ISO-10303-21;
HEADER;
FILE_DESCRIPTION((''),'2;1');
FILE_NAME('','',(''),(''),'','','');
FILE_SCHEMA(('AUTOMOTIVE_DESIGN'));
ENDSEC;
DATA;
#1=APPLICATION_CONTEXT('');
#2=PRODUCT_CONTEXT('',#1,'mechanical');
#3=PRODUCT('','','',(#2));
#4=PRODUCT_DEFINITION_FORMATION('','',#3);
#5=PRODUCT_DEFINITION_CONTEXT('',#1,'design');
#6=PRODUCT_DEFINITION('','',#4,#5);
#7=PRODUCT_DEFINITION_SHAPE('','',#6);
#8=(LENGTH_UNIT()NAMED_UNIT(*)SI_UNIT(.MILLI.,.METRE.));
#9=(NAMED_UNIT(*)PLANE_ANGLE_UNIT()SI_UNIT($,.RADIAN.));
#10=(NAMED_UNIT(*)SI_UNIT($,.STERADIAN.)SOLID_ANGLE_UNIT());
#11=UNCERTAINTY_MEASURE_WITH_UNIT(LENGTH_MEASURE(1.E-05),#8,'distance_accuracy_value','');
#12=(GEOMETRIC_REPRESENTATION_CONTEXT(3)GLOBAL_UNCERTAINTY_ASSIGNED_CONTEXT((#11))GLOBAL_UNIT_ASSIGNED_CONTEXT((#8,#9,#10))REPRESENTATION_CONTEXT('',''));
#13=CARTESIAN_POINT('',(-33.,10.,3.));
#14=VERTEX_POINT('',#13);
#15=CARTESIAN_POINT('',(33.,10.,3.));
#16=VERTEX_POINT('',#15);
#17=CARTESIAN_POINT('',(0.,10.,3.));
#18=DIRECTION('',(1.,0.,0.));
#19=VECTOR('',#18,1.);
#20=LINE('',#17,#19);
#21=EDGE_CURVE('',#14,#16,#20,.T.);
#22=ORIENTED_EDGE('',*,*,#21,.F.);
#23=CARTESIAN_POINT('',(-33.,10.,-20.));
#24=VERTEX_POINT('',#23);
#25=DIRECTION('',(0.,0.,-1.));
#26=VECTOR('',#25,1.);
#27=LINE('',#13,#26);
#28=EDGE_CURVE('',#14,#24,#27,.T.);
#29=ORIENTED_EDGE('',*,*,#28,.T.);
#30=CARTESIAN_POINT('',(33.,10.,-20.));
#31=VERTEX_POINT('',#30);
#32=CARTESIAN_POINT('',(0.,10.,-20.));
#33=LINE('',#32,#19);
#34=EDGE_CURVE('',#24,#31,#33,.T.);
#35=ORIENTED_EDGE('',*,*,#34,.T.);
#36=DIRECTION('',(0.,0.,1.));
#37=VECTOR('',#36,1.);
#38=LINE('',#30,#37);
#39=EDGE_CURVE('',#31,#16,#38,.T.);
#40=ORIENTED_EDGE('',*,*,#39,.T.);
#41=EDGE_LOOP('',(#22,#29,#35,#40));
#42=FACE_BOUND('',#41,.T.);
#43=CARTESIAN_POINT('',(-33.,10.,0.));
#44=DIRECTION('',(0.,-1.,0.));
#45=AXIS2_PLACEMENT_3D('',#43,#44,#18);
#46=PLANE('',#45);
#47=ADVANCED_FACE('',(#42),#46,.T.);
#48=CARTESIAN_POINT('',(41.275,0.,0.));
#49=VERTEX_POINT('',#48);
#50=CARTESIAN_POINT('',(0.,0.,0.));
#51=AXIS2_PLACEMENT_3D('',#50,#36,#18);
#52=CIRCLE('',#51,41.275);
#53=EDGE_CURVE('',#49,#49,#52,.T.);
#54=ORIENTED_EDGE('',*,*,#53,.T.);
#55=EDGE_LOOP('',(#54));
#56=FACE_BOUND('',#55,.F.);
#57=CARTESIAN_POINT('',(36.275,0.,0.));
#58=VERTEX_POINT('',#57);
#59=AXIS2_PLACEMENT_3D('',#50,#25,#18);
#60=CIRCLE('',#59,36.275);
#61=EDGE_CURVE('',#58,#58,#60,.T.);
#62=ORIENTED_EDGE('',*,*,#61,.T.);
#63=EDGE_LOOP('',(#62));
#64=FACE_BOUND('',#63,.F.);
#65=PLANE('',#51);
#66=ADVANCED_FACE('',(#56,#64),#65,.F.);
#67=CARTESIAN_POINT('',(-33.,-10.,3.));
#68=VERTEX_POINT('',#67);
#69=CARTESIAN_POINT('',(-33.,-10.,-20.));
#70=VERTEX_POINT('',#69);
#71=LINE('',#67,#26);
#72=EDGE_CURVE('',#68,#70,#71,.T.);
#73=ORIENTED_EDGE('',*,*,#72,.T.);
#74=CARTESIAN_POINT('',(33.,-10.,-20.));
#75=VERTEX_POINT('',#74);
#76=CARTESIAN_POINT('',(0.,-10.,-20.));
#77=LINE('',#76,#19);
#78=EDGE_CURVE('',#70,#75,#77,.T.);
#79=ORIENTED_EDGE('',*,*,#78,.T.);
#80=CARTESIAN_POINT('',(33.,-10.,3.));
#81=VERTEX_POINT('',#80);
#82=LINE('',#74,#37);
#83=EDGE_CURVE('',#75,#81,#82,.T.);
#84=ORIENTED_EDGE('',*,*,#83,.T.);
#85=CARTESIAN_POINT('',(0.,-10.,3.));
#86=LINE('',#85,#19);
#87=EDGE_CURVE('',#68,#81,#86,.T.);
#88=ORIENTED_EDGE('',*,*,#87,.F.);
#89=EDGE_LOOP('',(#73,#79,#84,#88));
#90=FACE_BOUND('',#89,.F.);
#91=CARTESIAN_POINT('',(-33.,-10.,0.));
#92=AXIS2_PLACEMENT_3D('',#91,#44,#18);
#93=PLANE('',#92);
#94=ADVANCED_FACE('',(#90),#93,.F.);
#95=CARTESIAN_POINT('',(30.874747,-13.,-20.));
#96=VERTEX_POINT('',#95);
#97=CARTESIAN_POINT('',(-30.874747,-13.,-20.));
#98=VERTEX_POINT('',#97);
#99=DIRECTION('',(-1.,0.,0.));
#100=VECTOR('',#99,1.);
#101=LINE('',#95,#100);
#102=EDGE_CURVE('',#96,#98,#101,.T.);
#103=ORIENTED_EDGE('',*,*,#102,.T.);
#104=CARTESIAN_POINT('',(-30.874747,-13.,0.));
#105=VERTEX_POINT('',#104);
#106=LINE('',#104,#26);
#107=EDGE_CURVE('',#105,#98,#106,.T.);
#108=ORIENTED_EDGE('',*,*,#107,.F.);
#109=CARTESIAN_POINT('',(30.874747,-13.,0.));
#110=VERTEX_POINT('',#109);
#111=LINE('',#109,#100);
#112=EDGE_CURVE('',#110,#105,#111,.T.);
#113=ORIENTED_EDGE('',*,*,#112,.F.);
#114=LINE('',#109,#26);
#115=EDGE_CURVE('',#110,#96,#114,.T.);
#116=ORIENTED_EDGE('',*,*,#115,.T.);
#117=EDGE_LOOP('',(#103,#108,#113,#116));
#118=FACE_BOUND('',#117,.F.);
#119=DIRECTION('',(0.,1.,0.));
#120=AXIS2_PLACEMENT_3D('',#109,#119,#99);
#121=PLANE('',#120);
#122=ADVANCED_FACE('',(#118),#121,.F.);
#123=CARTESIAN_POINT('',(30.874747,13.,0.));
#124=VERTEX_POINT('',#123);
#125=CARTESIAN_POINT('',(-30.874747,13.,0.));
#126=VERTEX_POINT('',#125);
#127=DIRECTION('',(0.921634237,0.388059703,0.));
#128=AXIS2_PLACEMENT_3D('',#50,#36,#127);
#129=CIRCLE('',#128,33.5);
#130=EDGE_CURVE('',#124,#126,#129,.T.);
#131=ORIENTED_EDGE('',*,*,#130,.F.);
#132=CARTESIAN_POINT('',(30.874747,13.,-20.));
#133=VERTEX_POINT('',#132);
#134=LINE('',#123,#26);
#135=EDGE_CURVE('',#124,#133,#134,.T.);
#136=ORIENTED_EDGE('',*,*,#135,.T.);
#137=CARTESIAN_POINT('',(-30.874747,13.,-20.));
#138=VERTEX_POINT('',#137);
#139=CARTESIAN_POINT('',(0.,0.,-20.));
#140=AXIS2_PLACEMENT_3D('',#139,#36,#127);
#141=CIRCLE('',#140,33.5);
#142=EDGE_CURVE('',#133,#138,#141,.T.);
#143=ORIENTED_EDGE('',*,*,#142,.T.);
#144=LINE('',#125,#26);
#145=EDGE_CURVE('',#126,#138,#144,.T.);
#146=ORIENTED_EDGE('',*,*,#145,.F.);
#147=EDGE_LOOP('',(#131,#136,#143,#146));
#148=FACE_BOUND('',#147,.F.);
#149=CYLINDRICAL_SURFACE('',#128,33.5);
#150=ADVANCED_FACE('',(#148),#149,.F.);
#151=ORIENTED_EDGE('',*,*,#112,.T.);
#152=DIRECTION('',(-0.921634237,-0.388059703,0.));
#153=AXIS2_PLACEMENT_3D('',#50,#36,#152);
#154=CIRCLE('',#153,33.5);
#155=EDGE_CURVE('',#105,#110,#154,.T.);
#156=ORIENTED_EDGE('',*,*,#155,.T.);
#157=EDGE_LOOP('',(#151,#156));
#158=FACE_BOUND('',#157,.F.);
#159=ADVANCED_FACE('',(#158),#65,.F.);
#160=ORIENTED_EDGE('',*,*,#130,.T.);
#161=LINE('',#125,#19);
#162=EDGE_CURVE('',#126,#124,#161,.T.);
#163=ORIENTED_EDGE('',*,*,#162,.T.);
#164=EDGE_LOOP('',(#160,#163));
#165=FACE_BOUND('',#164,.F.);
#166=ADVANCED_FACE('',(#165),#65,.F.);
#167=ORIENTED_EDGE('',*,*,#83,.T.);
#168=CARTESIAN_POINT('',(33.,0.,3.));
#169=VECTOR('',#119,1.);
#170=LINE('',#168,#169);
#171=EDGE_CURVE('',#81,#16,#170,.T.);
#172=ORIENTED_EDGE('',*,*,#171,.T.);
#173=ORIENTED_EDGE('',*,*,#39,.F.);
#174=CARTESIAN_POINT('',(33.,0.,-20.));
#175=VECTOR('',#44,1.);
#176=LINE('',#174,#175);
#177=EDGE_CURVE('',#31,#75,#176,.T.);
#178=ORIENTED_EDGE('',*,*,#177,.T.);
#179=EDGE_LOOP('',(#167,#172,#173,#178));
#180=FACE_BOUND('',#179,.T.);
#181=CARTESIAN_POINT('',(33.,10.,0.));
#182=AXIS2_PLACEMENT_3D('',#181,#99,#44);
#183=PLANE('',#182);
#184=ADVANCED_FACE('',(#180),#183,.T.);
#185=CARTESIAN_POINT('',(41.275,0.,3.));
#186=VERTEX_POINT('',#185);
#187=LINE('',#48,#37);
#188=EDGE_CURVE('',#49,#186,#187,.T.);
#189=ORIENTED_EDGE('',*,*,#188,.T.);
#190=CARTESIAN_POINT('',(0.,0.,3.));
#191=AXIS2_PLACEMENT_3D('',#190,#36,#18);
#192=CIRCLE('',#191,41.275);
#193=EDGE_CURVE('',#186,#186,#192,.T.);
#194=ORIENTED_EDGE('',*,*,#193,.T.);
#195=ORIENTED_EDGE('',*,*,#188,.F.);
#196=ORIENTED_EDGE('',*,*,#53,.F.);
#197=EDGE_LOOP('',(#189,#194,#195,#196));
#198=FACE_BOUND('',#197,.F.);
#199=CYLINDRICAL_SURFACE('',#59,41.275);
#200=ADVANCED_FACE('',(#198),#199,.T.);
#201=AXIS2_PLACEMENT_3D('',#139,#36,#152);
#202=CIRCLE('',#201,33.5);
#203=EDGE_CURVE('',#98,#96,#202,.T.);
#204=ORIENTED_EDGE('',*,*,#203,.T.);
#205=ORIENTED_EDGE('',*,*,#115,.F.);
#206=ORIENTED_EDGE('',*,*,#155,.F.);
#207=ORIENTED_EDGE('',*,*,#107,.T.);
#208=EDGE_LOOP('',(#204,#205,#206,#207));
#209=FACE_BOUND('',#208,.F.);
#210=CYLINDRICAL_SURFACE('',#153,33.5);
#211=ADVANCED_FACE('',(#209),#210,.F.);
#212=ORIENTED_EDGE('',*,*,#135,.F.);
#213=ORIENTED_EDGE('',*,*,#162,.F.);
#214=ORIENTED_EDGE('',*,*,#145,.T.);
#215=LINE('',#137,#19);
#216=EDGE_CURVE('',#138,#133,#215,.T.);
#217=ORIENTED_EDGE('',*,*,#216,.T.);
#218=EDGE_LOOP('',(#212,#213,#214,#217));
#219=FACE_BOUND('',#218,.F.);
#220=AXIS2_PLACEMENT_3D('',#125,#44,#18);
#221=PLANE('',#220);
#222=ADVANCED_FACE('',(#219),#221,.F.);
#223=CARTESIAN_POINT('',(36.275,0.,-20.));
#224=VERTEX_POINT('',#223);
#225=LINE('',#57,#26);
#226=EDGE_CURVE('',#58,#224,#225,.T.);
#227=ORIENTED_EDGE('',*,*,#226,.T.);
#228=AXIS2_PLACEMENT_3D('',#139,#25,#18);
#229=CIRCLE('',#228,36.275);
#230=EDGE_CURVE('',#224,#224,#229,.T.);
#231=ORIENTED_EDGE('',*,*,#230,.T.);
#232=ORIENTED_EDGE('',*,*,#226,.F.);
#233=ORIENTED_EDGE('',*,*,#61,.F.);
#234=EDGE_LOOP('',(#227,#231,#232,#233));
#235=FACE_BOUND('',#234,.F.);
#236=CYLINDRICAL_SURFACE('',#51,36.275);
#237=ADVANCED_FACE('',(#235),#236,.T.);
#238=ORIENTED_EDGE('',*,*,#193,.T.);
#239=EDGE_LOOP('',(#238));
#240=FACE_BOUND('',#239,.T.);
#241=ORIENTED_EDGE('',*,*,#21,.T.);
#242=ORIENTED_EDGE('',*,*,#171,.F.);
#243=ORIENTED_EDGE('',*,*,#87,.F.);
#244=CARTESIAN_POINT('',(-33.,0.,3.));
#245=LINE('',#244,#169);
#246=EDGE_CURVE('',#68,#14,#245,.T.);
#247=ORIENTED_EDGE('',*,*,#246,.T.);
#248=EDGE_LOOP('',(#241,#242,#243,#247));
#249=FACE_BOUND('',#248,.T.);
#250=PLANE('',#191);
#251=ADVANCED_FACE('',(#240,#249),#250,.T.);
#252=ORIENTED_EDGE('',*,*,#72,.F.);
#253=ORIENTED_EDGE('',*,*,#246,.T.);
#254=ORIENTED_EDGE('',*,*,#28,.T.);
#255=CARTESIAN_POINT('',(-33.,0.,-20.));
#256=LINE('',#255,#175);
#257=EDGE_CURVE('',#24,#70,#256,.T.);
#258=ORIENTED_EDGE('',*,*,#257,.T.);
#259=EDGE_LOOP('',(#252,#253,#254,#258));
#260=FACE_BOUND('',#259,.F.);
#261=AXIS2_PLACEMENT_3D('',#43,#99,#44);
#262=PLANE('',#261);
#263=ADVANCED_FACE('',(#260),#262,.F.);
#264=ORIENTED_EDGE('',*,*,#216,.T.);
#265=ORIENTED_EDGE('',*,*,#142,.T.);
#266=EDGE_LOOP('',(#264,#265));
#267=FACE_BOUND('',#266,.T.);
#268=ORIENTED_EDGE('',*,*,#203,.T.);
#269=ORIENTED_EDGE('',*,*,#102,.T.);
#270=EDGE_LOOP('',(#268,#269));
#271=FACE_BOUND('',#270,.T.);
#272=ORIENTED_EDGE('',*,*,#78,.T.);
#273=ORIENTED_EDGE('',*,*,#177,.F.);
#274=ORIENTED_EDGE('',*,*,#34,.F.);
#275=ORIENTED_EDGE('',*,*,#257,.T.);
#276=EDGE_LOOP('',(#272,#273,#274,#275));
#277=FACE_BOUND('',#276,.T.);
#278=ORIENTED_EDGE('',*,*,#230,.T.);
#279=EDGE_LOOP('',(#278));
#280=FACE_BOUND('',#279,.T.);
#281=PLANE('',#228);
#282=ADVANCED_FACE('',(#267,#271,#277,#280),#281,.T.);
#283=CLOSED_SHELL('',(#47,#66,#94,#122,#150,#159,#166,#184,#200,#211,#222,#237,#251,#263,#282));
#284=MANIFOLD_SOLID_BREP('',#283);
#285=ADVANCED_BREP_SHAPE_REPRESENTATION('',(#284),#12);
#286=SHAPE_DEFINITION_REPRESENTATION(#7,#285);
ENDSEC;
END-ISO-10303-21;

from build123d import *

# Parameters (mm, degrees)
F0_R     = 41.275
F1_DEPTH = 3
F2_W     = 66
F2_H     = 20
F3_DEPTH = 3.001
F4_R     = 36.275
F4_W     = 66
F4_H     = 20
F5_DEPTH = 20


with BuildPart() as f1:
    # F0 (on Top) → F1 (new body)
    with BuildSketch(Plane.XY):
        Circle(F0_R)
    extrude(amount=F1_DEPTH)

    # F2 (on face) → F3 (cut, through all)
    with BuildSketch(Plane.XY.offset(3)):
        Rectangle(F2_W, F2_H)
    extrude(amount=-F3_DEPTH, mode=Mode.SUBTRACT)

    # F4 (on face) → F5 (join)
    with BuildSketch(Plane(origin=(0, 0, 0), x_dir=(1, 0, 0), z_dir=(0, 0, -1))):
        Circle(F4_R)
        with BuildLine():
            ThreePointArc((30.874747, -13), (0, -33.5), (-30.874747, -13))
            Line((-30.874747, -13), (30.874747, -13))
        make_face(mode=Mode.SUBTRACT)
        Rectangle(F4_W, F4_H, mode=Mode.SUBTRACT)
        with BuildLine():
            ThreePointArc((-30.874747, 13), (0, 33.5), (30.874747, 13))
            Line((30.874747, 13), (-30.874747, 13))
        make_face(mode=Mode.SUBTRACT)
    extrude(amount=F5_DEPTH)


solid = f1.part
